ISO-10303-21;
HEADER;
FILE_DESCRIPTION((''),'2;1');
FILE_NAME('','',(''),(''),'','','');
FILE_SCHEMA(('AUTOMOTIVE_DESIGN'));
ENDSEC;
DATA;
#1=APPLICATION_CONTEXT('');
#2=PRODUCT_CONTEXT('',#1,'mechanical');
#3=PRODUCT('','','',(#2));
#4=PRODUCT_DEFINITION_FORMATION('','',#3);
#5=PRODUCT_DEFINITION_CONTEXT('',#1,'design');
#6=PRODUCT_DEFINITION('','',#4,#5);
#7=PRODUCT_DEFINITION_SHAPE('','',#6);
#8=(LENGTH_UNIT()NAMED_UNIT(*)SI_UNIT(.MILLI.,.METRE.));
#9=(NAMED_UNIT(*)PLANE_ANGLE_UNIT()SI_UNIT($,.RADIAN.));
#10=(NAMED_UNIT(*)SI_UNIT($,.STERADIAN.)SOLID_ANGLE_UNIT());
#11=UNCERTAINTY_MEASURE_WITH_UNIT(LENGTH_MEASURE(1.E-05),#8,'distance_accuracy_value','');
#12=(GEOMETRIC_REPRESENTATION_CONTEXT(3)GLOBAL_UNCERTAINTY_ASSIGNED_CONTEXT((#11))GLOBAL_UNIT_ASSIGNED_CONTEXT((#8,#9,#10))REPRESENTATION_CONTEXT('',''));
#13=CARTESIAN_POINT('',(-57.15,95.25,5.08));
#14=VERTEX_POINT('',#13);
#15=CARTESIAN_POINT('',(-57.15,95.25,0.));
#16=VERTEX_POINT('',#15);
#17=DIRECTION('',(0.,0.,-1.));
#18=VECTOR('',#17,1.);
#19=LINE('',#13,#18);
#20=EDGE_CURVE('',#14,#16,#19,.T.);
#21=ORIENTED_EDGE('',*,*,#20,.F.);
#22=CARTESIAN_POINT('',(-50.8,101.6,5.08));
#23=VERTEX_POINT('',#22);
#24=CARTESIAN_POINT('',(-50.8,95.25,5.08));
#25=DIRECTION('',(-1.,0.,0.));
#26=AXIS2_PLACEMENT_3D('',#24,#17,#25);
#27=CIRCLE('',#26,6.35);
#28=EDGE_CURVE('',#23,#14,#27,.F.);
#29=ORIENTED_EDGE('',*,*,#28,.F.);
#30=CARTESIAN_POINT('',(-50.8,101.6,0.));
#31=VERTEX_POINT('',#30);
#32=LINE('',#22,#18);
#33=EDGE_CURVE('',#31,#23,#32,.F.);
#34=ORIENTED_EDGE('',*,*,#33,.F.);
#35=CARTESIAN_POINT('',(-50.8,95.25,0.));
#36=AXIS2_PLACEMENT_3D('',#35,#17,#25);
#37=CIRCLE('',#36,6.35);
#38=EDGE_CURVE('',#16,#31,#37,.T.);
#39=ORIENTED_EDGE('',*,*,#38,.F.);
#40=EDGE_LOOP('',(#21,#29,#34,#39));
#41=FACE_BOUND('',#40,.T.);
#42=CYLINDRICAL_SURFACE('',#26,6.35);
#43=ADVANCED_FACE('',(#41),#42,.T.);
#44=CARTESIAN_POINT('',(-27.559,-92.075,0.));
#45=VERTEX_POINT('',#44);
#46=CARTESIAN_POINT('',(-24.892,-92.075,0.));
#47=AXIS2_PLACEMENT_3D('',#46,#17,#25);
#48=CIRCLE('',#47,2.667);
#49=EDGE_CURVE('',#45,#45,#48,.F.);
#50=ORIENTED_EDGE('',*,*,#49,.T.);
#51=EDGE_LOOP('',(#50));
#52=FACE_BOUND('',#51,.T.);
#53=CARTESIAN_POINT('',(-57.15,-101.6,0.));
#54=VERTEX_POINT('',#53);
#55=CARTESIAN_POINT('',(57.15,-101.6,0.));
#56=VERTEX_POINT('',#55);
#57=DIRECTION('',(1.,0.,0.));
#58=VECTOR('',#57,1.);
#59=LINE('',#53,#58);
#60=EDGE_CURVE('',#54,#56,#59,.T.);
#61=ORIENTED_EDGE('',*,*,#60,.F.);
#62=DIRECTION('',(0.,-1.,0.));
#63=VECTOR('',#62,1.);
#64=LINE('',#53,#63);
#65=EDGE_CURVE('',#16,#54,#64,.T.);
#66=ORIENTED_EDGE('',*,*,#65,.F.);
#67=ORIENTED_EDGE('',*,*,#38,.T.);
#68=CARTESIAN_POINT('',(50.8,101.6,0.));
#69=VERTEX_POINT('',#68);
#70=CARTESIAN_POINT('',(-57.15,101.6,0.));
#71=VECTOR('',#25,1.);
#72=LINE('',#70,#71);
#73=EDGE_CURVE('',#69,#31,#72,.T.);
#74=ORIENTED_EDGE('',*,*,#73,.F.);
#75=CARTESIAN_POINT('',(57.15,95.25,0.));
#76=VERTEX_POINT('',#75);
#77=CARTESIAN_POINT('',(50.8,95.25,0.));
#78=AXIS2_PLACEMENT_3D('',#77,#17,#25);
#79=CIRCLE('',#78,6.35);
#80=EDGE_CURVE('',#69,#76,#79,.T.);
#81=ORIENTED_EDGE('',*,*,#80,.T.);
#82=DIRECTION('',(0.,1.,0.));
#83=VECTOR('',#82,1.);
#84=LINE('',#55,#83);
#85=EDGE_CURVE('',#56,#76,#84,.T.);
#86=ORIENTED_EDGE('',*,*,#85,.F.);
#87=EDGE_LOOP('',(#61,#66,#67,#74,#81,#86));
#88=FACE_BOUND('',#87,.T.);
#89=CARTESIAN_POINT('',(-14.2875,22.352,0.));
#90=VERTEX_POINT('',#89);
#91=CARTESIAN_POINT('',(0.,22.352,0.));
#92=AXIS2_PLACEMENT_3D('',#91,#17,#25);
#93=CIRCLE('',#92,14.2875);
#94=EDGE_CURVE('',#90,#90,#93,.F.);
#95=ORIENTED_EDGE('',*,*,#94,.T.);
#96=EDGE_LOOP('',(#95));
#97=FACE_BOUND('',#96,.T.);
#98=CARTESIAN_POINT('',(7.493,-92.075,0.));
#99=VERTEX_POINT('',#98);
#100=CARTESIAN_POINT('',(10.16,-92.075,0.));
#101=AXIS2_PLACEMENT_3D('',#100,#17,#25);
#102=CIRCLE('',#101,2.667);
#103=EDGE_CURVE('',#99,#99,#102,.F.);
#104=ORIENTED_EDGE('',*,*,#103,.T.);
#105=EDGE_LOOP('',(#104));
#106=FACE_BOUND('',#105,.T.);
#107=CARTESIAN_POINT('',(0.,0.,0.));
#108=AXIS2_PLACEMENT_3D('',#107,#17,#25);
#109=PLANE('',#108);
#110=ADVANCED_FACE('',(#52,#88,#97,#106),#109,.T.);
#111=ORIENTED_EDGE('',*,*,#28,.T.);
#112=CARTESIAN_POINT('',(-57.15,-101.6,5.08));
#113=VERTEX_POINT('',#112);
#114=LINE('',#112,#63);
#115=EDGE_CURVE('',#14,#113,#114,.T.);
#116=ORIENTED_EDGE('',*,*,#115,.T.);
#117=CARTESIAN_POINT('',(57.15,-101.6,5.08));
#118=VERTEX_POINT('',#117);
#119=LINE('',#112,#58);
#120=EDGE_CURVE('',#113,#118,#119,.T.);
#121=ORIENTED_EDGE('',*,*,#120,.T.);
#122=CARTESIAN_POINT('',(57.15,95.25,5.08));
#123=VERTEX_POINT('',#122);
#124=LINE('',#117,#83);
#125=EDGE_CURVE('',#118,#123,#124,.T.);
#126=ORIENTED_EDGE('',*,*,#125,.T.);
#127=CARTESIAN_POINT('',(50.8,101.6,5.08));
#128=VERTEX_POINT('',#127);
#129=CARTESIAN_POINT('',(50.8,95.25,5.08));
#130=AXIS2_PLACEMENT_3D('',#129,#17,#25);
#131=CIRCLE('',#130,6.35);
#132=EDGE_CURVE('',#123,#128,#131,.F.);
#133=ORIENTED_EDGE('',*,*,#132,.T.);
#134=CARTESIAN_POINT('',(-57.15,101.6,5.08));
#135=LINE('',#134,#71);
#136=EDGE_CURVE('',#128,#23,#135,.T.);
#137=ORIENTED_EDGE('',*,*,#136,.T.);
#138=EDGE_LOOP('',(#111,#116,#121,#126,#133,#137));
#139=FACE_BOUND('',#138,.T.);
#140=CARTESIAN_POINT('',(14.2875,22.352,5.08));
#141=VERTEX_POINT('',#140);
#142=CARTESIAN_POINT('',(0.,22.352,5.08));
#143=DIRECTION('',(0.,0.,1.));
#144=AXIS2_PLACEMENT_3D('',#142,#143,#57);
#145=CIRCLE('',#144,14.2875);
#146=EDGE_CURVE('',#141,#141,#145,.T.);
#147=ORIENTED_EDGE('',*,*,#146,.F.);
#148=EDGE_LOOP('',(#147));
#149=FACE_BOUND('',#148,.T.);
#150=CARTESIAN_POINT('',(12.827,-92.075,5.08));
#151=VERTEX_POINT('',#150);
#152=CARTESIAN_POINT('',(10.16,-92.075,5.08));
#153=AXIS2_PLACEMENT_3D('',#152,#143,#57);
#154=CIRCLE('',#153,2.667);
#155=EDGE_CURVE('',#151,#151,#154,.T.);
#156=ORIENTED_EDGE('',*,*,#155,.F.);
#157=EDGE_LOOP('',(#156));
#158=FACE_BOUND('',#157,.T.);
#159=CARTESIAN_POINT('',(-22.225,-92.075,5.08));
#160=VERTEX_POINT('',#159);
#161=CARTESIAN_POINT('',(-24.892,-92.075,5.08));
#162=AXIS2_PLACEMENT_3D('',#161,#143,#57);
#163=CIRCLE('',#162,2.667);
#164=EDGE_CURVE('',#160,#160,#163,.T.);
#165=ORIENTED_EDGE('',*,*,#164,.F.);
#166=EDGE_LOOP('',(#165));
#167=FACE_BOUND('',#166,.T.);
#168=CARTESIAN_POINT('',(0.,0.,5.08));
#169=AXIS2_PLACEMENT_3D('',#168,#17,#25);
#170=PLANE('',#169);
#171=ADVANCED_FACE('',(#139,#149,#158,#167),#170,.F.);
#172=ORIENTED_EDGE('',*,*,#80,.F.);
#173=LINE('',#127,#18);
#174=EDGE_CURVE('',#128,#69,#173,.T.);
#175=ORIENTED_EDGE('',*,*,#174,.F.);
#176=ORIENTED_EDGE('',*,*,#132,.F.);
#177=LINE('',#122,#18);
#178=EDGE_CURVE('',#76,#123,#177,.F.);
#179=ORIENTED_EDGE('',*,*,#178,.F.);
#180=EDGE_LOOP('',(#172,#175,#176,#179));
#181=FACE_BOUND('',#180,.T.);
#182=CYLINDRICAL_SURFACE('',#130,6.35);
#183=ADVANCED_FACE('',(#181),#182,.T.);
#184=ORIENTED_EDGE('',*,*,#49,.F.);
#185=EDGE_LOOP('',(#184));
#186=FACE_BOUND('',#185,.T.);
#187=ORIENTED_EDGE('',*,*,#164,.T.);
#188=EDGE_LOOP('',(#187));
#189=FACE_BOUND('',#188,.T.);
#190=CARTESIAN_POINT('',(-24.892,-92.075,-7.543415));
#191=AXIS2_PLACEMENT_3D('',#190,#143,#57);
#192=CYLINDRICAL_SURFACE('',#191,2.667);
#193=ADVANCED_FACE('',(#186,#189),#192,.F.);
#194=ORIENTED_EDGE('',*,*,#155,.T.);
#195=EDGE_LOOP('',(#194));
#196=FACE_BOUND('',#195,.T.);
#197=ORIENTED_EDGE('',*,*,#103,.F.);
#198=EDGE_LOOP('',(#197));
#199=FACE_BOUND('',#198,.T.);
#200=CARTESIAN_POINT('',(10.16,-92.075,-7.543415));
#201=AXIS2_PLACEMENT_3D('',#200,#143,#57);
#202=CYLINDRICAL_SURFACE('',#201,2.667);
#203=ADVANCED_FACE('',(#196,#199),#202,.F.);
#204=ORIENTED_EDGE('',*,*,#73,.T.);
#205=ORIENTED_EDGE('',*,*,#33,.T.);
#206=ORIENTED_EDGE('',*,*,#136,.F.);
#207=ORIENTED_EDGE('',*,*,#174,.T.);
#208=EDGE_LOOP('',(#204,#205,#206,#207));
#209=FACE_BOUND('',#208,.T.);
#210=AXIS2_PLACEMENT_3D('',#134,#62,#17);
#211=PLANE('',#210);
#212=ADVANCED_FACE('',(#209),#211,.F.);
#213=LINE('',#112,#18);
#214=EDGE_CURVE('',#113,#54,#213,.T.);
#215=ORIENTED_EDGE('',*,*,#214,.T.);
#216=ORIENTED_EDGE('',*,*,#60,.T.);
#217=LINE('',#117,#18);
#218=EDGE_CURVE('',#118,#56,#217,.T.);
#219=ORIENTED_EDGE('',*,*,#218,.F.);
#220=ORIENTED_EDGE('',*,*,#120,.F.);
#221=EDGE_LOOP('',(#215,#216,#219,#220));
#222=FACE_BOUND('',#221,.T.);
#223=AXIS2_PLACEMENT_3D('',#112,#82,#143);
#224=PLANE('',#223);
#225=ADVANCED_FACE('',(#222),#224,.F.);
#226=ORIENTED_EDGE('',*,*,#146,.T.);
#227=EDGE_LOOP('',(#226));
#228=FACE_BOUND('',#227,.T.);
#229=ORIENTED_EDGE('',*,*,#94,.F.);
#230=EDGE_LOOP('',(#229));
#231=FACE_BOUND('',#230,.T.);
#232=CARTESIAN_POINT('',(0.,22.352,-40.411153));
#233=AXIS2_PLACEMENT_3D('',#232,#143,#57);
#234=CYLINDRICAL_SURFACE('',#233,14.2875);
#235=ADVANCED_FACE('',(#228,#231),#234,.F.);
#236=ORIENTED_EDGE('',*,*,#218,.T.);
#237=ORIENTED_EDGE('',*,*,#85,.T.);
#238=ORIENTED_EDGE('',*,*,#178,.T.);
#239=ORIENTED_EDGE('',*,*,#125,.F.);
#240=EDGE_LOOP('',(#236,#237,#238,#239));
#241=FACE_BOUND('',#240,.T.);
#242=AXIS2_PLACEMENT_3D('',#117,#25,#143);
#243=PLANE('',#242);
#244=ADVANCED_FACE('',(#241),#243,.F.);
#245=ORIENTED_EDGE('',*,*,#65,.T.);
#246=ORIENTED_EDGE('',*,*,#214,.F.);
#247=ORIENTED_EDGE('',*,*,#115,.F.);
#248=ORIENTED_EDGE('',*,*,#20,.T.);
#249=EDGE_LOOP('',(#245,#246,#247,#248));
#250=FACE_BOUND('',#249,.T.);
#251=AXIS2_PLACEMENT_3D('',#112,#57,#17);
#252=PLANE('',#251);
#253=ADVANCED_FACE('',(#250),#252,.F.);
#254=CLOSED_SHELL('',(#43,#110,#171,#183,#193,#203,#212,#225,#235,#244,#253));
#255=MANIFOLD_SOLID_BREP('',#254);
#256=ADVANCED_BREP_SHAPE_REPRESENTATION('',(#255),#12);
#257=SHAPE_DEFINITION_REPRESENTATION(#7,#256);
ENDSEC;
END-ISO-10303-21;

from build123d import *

# Parameters (mm, degrees)
SKETCH1_W           = 114.3
SKETCH1_H           = 203.2
BOSS_EXTRUDE1_DEPTH = 5.08
FILLET1_R           = 6.35
SKETCH3_R           = 14.2875
CUT_EXTRUDE1_DEPTH  = 5.08
SKETCH4_R           = 2.667
CUT_EXTRUDE2_DEPTH  = 5.08


with BuildPart() as part:
    # Sketch1 → Boss-Extrude1 (new body)
    with BuildSketch(Plane.XY):
        Rectangle(SKETCH1_W, SKETCH1_H)
    extrude(amount=BOSS_EXTRUDE1_DEPTH)

    # Fillet1
    fillet1_edges = [part.edges().sort_by_distance(p)[0] for p in [
        (-57.15, 101.6, 2.54),
        (57.15, 101.6, 2.54),
    ]]
    fillet(fillet1_edges, radius=FILLET1_R)

    # Sketch3 → Cut-Extrude1 (cut)
    with BuildSketch(Plane.XY.offset(5.08)):
        with Locations((0, 22.352)):
            Circle(SKETCH3_R)
    extrude(amount=-CUT_EXTRUDE1_DEPTH, mode=Mode.SUBTRACT)

    # Sketch4 → Cut-Extrude2 (cut)
    with BuildSketch(Plane.XY.offset(5.08)):
        with Locations((10.16, -92.075)):
            Circle(SKETCH4_R)
        with Locations((-24.892, -92.075)):
            Circle(SKETCH4_R)
    extrude(amount=-CUT_EXTRUDE2_DEPTH, mode=Mode.SUBTRACT)


solid = part.part
